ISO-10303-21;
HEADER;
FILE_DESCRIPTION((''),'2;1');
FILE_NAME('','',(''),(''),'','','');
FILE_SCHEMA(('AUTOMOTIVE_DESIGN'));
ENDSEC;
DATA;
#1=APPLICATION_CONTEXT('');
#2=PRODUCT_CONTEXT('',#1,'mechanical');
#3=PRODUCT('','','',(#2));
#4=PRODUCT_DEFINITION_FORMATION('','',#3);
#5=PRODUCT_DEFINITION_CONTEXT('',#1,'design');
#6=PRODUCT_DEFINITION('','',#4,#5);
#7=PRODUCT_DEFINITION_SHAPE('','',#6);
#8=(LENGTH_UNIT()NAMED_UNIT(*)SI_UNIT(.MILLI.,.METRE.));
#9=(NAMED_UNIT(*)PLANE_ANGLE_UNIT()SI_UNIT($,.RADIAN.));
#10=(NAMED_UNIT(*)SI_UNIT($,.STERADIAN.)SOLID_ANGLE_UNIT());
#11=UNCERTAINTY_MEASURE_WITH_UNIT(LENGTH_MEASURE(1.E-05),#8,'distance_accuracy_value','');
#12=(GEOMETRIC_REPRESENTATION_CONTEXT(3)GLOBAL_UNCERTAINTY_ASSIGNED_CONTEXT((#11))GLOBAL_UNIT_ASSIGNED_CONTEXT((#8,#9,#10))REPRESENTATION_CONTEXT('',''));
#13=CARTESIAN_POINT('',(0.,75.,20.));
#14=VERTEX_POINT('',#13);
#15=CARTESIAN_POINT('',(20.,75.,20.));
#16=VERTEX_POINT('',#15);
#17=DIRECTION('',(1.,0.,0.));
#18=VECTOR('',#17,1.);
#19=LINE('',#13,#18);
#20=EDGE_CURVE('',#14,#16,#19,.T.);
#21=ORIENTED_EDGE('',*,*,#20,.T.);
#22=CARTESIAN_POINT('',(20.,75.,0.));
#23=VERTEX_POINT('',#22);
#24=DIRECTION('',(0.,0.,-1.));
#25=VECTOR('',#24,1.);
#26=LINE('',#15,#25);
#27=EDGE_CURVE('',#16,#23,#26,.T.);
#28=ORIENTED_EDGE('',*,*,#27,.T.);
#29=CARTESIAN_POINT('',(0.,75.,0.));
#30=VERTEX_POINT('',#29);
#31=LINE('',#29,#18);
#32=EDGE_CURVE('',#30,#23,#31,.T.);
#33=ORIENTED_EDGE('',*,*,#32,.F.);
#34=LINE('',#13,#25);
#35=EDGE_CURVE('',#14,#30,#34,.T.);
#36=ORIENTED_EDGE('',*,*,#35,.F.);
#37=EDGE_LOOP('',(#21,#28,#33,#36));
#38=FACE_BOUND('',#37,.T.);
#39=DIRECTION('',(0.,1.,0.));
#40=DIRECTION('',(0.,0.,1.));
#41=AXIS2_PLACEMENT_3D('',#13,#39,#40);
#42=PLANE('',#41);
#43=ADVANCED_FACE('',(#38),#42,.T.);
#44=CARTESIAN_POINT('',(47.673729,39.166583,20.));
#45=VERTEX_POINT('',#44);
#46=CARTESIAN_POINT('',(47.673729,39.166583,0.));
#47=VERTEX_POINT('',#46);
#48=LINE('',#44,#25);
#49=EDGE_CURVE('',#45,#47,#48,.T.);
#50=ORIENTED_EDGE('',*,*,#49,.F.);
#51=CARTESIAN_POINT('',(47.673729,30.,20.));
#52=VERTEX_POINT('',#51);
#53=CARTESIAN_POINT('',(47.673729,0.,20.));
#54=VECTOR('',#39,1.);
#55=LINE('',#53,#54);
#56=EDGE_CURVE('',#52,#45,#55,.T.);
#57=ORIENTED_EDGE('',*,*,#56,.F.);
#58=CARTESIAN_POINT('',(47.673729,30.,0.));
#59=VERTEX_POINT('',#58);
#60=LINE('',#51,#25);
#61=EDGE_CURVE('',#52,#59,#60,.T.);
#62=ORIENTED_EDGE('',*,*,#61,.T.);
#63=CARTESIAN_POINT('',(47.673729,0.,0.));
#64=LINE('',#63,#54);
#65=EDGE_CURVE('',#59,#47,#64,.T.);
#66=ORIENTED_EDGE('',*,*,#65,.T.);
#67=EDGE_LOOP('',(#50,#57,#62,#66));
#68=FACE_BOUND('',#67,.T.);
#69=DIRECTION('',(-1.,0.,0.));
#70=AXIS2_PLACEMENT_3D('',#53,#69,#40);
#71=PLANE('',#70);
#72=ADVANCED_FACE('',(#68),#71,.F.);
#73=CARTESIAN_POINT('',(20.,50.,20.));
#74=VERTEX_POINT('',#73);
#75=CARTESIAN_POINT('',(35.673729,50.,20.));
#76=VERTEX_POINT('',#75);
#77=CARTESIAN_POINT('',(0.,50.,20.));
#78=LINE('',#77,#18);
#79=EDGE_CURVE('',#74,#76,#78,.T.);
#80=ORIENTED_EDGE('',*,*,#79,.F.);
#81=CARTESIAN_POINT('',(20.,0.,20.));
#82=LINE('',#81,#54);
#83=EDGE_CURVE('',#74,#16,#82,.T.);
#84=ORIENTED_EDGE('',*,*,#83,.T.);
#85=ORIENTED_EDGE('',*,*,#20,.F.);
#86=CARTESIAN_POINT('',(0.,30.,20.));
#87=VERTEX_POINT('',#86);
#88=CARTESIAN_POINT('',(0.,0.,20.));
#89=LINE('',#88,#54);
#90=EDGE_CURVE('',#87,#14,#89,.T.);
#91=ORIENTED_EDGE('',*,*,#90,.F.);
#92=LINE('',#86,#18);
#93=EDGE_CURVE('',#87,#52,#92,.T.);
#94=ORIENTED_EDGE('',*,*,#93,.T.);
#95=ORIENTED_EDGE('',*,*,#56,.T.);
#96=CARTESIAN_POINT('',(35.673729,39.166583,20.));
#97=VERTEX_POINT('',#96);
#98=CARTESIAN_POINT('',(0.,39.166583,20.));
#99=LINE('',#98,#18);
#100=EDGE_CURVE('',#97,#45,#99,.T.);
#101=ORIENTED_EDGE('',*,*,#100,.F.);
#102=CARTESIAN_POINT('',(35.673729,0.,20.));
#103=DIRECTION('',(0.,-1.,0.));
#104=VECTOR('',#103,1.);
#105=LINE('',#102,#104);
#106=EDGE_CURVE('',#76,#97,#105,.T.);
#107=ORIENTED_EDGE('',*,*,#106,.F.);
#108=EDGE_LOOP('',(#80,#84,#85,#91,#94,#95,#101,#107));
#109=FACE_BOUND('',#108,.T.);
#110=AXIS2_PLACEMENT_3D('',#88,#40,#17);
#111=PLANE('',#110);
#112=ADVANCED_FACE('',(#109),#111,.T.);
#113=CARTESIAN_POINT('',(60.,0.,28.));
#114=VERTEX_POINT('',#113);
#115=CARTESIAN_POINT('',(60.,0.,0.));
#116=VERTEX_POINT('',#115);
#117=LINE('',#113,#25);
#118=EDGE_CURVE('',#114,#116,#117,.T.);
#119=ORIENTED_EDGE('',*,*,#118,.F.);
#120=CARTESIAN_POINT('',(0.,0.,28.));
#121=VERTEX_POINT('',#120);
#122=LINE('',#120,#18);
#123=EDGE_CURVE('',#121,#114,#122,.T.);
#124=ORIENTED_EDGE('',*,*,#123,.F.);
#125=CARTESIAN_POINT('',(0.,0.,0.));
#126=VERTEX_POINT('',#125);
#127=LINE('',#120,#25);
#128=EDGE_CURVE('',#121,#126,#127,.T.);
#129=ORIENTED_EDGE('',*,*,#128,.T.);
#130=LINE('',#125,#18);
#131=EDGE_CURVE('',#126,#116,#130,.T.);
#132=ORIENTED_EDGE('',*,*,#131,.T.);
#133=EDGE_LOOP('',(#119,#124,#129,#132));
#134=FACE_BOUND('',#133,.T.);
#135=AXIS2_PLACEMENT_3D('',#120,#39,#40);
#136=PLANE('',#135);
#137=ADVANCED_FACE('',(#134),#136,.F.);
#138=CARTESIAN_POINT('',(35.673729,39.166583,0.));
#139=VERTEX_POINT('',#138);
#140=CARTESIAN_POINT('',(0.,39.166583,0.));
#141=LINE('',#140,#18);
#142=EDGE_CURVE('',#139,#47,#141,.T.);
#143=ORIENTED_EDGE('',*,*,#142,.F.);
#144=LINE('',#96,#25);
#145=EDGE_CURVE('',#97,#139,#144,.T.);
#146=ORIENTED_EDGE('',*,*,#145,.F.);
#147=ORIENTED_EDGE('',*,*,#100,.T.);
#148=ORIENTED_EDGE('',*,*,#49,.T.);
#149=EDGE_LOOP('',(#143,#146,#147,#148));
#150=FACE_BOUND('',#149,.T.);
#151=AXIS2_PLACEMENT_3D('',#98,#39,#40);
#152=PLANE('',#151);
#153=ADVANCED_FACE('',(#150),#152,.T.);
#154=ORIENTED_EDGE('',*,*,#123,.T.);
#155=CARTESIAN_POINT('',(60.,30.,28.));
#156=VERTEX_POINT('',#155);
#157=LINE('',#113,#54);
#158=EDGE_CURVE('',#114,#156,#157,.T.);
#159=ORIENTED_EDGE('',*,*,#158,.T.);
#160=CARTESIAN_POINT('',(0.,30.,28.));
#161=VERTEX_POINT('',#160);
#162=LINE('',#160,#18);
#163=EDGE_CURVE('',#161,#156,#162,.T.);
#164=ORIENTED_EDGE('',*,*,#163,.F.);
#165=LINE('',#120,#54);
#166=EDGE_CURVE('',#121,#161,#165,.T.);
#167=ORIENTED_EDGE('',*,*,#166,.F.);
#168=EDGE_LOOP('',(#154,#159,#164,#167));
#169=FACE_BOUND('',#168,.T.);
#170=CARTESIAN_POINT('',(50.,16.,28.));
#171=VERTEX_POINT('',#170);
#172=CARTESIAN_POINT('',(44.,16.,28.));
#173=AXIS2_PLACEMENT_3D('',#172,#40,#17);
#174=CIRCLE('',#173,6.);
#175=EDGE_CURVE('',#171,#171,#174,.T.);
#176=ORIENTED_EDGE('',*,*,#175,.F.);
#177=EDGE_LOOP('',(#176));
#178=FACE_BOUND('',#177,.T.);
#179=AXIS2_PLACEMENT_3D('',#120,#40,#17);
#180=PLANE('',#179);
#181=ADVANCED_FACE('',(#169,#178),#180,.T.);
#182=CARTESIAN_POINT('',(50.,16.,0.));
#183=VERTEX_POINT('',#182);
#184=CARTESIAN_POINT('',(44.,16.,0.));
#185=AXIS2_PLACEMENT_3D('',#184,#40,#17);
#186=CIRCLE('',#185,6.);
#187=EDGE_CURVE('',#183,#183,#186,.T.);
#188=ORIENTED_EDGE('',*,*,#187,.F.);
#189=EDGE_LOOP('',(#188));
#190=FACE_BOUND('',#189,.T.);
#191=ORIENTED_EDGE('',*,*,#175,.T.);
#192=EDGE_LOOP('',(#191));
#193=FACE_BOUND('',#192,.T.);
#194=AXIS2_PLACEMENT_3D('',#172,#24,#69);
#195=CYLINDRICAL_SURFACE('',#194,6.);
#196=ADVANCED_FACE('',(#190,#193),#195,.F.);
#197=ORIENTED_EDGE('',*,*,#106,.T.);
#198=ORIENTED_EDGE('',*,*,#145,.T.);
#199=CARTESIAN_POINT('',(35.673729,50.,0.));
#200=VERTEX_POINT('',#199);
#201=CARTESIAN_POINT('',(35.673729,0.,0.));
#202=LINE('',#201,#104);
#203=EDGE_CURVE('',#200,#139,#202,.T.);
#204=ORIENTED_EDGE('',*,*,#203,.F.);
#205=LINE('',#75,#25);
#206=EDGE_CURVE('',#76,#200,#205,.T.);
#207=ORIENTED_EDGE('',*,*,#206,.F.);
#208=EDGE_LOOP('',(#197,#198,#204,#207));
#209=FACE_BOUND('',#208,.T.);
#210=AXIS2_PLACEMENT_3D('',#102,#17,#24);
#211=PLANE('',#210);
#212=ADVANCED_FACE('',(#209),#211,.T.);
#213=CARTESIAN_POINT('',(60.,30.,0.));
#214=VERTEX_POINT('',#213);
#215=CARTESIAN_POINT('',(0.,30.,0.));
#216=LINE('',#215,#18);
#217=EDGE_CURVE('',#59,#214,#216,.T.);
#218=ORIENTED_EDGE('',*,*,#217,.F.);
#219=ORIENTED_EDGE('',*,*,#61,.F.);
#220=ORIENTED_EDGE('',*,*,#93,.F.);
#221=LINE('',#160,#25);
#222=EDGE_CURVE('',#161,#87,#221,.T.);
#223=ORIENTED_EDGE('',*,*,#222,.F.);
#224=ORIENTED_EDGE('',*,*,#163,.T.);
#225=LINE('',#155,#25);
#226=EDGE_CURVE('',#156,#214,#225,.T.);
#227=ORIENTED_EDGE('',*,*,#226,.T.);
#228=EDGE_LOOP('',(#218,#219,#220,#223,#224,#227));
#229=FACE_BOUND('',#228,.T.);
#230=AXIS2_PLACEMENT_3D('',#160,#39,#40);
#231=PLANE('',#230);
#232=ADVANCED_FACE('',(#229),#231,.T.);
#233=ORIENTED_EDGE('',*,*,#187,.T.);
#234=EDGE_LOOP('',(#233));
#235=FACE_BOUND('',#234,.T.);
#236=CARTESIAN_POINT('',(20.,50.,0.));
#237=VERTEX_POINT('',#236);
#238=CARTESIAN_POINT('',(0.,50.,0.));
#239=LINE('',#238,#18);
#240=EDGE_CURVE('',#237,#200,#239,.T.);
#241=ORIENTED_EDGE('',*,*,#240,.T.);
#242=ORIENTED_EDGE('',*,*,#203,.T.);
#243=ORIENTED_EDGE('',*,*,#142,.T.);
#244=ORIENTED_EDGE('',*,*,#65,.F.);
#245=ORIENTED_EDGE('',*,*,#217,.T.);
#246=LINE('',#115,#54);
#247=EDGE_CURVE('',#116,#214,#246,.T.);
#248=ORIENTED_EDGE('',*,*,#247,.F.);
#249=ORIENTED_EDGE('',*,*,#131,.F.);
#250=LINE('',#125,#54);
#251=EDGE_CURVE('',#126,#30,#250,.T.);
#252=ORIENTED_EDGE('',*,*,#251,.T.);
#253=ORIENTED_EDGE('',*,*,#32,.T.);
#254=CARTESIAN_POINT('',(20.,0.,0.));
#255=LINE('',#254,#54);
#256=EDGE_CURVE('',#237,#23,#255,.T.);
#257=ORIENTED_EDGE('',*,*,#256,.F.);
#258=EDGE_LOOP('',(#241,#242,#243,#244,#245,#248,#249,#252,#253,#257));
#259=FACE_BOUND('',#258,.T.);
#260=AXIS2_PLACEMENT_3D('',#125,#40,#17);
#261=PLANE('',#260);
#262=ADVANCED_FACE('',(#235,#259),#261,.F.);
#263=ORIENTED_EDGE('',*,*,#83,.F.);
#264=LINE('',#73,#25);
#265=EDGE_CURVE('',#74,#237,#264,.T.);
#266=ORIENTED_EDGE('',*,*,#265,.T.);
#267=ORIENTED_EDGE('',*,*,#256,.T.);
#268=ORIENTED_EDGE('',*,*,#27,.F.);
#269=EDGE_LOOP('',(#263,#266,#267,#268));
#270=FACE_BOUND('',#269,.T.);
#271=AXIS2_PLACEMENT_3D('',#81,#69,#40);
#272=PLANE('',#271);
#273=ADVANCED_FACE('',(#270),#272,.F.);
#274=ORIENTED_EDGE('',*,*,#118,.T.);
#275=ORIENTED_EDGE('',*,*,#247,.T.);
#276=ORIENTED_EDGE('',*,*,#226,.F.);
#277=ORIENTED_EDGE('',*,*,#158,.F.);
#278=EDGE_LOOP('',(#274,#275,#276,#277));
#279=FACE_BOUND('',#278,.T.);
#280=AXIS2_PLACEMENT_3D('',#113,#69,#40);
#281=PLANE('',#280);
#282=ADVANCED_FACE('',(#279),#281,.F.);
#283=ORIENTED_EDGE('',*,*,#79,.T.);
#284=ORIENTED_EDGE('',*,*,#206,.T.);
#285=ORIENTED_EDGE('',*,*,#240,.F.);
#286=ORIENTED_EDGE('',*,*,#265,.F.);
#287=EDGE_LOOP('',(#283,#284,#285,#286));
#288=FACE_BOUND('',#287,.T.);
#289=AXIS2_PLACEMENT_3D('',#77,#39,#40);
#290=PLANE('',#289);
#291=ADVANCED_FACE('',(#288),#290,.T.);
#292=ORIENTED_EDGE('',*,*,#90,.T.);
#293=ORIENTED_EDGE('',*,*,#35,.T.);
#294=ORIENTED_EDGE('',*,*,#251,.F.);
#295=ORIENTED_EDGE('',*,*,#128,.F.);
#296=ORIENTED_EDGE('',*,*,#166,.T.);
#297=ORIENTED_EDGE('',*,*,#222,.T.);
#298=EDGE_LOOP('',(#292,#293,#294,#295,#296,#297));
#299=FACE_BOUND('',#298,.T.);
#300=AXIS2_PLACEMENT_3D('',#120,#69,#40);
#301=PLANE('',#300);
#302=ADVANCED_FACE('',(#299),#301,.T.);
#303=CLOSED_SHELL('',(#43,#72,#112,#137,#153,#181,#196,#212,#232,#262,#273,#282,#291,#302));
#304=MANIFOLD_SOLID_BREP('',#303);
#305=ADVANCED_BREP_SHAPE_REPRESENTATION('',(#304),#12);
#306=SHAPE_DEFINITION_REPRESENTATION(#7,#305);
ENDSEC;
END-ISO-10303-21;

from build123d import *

# Parameters (mm, degrees)
SKETCH2_R           = 6
BOSS_EXTRUDE1_DEPTH = 28
BOSS_EXTRUDE2_DEPTH = 20


with BuildPart() as part:
    # Sketch2 → Boss-Extrude1 (new body)
    with BuildSketch(Plane.XY):
        Polygon((60, 30), (47.673729326, 30), (0, 30), (0, 0), (60, 0), align=None)
        with Locations((44, 16)):
            Circle(SKETCH2_R, mode=Mode.SUBTRACT)
    extrude(amount=BOSS_EXTRUDE1_DEPTH)

    # Sketch2<3> → Boss-Extrude2 (add)
    with BuildSketch(Plane.XY):
        Polygon((35.673729326, 39.1665834), (35.673729326, 50), (20, 50), (20, 75), (0, 75), (0, 50), (0, 30), (47.673729326, 30), (47.673729326, 39.1665834), align=None)
    extrude(amount=BOSS_EXTRUDE2_DEPTH)


solid = part.part
